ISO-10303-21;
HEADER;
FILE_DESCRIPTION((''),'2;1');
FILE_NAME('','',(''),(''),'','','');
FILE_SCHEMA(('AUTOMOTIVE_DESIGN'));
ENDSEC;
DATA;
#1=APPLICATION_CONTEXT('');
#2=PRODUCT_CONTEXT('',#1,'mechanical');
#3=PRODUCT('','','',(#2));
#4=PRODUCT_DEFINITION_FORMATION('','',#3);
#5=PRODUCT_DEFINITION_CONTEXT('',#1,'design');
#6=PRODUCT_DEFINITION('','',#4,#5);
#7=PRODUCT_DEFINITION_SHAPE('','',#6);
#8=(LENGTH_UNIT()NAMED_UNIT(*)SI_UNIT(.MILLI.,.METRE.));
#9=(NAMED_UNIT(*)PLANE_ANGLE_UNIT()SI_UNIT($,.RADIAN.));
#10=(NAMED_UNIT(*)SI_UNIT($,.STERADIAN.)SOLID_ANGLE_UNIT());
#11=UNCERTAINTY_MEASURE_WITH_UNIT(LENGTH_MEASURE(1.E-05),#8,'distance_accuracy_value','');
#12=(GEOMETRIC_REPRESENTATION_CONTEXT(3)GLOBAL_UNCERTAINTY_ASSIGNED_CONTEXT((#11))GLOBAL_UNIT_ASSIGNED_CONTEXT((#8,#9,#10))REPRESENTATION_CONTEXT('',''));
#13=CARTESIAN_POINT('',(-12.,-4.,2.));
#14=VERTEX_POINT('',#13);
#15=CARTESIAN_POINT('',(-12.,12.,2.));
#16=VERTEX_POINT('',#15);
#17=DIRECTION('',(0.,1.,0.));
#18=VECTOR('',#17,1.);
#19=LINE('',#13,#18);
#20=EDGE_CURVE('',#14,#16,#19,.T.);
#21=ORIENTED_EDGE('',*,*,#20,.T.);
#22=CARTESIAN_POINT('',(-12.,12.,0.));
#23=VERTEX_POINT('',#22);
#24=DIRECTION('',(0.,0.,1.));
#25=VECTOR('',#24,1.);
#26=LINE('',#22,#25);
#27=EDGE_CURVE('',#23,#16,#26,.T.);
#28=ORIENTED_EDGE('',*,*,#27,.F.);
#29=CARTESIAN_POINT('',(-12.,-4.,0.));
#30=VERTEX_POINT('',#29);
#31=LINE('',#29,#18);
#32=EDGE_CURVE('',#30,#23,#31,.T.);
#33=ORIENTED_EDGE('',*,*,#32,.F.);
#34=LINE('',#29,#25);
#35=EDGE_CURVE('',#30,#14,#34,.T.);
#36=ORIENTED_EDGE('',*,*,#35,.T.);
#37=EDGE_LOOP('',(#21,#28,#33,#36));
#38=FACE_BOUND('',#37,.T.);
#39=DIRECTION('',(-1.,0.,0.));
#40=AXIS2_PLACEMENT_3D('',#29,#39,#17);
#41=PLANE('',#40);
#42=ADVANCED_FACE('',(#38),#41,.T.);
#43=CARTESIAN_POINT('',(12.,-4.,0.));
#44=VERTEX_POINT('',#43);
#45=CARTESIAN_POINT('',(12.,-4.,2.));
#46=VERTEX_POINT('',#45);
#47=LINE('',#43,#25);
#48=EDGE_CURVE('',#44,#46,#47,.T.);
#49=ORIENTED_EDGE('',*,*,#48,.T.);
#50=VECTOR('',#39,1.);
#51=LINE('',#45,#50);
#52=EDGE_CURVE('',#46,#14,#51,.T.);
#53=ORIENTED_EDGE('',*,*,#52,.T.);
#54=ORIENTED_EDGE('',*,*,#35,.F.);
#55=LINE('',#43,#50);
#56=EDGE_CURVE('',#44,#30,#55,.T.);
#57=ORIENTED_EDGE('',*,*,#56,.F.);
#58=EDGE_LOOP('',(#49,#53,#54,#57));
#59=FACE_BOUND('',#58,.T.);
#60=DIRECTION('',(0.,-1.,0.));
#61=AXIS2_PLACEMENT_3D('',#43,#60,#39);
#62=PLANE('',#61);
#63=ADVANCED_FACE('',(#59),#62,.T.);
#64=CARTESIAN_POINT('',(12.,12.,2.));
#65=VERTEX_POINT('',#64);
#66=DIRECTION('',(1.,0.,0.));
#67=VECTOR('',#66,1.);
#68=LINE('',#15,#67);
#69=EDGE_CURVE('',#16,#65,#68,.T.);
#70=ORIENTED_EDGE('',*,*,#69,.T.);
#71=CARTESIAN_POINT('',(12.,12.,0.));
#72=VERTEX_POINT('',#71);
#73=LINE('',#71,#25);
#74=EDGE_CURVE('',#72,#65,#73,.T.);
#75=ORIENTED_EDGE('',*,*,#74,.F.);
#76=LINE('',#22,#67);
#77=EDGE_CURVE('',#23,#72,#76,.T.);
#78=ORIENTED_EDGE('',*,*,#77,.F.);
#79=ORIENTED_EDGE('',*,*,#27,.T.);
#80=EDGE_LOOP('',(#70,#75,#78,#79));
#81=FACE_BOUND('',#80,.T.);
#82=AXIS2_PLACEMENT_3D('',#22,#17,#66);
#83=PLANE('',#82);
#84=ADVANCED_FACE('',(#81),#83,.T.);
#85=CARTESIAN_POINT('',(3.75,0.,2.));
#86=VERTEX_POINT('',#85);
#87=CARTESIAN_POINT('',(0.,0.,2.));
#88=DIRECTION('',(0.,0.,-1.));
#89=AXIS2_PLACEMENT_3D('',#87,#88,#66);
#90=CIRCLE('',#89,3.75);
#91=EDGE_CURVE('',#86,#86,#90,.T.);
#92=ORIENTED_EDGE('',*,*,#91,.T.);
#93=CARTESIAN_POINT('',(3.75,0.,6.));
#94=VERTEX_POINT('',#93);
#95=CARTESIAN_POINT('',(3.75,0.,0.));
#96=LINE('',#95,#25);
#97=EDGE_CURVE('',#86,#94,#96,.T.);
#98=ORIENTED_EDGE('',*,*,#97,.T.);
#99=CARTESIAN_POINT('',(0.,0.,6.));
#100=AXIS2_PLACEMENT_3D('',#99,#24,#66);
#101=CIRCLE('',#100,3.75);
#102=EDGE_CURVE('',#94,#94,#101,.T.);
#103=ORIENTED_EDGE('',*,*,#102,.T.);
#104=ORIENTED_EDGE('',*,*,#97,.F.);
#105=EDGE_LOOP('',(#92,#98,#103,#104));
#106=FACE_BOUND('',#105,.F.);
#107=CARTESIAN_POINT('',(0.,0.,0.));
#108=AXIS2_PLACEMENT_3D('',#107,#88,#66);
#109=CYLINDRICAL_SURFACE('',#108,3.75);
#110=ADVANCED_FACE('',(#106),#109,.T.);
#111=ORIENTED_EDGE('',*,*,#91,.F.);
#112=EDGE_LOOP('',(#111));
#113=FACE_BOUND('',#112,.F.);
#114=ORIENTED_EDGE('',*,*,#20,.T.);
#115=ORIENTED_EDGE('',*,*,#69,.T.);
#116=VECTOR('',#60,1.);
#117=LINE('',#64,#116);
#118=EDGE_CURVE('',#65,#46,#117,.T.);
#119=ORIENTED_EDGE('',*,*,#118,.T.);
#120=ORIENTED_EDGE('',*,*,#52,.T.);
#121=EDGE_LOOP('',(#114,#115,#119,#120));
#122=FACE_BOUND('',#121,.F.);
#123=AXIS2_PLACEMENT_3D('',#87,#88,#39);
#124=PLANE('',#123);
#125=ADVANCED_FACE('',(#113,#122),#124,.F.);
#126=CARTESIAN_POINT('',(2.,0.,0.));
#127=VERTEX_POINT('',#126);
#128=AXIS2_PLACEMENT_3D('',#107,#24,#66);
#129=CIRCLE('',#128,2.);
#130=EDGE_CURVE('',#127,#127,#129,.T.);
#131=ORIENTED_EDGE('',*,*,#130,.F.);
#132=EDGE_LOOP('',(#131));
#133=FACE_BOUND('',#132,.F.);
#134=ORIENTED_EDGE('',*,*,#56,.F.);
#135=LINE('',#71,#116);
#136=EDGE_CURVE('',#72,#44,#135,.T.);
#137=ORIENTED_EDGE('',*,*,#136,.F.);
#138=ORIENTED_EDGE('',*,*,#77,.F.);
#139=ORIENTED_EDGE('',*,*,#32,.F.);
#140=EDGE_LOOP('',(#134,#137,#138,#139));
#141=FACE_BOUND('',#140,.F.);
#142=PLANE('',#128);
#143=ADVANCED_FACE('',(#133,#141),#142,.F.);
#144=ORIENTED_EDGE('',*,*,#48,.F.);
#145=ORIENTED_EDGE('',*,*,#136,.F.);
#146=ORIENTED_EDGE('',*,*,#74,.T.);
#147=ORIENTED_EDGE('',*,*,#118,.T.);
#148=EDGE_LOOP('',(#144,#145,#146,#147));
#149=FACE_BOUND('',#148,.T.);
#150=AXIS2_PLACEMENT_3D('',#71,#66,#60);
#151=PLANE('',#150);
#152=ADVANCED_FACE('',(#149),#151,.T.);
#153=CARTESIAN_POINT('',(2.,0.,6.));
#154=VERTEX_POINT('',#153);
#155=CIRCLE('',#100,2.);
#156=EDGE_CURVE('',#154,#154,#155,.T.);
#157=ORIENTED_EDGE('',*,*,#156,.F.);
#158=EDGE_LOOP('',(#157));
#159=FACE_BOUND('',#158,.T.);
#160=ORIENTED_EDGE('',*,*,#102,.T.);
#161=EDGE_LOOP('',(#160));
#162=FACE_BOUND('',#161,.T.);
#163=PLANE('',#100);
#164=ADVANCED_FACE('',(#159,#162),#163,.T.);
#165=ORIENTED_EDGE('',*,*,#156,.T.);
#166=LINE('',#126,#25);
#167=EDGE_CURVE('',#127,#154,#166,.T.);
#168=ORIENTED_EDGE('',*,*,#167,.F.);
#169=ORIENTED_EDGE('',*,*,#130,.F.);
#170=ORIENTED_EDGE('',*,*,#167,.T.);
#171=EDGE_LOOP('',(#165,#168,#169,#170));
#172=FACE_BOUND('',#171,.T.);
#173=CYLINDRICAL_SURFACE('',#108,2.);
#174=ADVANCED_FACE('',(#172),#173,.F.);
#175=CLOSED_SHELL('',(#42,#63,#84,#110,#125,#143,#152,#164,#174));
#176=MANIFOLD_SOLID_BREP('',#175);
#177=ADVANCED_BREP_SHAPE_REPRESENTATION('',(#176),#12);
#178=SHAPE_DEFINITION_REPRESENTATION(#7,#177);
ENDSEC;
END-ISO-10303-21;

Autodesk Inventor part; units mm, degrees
ref_plane "YZ Plane" through (0, 0, 0) normal (1, 0, 0) x (0, 1, 0)
ref_plane "XZ Plane" through (0, 0, 0) normal (0, 1, 0) x (-1, 0, 0)
ref_plane "XY Plane" through (0, 0, 0) normal (0, 0, 1) x (1, 0, 0)
sketch "Sketch2" plane through (0, 0, 0) normal (0, 0, 1) x (1, 0, 0)
  circle A0 centre (0, 0) radius 3.75
  circle A1 centre (0, 0) radius 2
  dimension "d6" = 7.5
  dimension "d7" = 4
extrude "Extrusion1" add sketch "Sketch2" along normal blind 6
sketch "Sketch3" plane through (0, 0, 0) normal (0, 0, -1) x (-1, 0, 0)
  line L0 (-12, -4) -> (12, -4)
  line L1 (12, -4) -> (12, 12)
  line L2 (12, 12) -> (-12, 12)
  line L3 (-12, 12) -> (-12, -4)
  line L4 (0, 0) -> (0, 4.4651)
  line L5 (0, 4.4651) -> (0, 0)
  line L6 (0, 0) -> (5, 0)
  circle A0 centre (0, 0) radius 2 projected
  circle A1 centre (0, 0) radius 2
  dimension "d10" = 24
  dimension "d11" = 16
  dimension "d12" = 4
extrude "Extrusion4" add sketch "Sketch3" against normal blind 2
properties part number "fijador.rodamiento"
